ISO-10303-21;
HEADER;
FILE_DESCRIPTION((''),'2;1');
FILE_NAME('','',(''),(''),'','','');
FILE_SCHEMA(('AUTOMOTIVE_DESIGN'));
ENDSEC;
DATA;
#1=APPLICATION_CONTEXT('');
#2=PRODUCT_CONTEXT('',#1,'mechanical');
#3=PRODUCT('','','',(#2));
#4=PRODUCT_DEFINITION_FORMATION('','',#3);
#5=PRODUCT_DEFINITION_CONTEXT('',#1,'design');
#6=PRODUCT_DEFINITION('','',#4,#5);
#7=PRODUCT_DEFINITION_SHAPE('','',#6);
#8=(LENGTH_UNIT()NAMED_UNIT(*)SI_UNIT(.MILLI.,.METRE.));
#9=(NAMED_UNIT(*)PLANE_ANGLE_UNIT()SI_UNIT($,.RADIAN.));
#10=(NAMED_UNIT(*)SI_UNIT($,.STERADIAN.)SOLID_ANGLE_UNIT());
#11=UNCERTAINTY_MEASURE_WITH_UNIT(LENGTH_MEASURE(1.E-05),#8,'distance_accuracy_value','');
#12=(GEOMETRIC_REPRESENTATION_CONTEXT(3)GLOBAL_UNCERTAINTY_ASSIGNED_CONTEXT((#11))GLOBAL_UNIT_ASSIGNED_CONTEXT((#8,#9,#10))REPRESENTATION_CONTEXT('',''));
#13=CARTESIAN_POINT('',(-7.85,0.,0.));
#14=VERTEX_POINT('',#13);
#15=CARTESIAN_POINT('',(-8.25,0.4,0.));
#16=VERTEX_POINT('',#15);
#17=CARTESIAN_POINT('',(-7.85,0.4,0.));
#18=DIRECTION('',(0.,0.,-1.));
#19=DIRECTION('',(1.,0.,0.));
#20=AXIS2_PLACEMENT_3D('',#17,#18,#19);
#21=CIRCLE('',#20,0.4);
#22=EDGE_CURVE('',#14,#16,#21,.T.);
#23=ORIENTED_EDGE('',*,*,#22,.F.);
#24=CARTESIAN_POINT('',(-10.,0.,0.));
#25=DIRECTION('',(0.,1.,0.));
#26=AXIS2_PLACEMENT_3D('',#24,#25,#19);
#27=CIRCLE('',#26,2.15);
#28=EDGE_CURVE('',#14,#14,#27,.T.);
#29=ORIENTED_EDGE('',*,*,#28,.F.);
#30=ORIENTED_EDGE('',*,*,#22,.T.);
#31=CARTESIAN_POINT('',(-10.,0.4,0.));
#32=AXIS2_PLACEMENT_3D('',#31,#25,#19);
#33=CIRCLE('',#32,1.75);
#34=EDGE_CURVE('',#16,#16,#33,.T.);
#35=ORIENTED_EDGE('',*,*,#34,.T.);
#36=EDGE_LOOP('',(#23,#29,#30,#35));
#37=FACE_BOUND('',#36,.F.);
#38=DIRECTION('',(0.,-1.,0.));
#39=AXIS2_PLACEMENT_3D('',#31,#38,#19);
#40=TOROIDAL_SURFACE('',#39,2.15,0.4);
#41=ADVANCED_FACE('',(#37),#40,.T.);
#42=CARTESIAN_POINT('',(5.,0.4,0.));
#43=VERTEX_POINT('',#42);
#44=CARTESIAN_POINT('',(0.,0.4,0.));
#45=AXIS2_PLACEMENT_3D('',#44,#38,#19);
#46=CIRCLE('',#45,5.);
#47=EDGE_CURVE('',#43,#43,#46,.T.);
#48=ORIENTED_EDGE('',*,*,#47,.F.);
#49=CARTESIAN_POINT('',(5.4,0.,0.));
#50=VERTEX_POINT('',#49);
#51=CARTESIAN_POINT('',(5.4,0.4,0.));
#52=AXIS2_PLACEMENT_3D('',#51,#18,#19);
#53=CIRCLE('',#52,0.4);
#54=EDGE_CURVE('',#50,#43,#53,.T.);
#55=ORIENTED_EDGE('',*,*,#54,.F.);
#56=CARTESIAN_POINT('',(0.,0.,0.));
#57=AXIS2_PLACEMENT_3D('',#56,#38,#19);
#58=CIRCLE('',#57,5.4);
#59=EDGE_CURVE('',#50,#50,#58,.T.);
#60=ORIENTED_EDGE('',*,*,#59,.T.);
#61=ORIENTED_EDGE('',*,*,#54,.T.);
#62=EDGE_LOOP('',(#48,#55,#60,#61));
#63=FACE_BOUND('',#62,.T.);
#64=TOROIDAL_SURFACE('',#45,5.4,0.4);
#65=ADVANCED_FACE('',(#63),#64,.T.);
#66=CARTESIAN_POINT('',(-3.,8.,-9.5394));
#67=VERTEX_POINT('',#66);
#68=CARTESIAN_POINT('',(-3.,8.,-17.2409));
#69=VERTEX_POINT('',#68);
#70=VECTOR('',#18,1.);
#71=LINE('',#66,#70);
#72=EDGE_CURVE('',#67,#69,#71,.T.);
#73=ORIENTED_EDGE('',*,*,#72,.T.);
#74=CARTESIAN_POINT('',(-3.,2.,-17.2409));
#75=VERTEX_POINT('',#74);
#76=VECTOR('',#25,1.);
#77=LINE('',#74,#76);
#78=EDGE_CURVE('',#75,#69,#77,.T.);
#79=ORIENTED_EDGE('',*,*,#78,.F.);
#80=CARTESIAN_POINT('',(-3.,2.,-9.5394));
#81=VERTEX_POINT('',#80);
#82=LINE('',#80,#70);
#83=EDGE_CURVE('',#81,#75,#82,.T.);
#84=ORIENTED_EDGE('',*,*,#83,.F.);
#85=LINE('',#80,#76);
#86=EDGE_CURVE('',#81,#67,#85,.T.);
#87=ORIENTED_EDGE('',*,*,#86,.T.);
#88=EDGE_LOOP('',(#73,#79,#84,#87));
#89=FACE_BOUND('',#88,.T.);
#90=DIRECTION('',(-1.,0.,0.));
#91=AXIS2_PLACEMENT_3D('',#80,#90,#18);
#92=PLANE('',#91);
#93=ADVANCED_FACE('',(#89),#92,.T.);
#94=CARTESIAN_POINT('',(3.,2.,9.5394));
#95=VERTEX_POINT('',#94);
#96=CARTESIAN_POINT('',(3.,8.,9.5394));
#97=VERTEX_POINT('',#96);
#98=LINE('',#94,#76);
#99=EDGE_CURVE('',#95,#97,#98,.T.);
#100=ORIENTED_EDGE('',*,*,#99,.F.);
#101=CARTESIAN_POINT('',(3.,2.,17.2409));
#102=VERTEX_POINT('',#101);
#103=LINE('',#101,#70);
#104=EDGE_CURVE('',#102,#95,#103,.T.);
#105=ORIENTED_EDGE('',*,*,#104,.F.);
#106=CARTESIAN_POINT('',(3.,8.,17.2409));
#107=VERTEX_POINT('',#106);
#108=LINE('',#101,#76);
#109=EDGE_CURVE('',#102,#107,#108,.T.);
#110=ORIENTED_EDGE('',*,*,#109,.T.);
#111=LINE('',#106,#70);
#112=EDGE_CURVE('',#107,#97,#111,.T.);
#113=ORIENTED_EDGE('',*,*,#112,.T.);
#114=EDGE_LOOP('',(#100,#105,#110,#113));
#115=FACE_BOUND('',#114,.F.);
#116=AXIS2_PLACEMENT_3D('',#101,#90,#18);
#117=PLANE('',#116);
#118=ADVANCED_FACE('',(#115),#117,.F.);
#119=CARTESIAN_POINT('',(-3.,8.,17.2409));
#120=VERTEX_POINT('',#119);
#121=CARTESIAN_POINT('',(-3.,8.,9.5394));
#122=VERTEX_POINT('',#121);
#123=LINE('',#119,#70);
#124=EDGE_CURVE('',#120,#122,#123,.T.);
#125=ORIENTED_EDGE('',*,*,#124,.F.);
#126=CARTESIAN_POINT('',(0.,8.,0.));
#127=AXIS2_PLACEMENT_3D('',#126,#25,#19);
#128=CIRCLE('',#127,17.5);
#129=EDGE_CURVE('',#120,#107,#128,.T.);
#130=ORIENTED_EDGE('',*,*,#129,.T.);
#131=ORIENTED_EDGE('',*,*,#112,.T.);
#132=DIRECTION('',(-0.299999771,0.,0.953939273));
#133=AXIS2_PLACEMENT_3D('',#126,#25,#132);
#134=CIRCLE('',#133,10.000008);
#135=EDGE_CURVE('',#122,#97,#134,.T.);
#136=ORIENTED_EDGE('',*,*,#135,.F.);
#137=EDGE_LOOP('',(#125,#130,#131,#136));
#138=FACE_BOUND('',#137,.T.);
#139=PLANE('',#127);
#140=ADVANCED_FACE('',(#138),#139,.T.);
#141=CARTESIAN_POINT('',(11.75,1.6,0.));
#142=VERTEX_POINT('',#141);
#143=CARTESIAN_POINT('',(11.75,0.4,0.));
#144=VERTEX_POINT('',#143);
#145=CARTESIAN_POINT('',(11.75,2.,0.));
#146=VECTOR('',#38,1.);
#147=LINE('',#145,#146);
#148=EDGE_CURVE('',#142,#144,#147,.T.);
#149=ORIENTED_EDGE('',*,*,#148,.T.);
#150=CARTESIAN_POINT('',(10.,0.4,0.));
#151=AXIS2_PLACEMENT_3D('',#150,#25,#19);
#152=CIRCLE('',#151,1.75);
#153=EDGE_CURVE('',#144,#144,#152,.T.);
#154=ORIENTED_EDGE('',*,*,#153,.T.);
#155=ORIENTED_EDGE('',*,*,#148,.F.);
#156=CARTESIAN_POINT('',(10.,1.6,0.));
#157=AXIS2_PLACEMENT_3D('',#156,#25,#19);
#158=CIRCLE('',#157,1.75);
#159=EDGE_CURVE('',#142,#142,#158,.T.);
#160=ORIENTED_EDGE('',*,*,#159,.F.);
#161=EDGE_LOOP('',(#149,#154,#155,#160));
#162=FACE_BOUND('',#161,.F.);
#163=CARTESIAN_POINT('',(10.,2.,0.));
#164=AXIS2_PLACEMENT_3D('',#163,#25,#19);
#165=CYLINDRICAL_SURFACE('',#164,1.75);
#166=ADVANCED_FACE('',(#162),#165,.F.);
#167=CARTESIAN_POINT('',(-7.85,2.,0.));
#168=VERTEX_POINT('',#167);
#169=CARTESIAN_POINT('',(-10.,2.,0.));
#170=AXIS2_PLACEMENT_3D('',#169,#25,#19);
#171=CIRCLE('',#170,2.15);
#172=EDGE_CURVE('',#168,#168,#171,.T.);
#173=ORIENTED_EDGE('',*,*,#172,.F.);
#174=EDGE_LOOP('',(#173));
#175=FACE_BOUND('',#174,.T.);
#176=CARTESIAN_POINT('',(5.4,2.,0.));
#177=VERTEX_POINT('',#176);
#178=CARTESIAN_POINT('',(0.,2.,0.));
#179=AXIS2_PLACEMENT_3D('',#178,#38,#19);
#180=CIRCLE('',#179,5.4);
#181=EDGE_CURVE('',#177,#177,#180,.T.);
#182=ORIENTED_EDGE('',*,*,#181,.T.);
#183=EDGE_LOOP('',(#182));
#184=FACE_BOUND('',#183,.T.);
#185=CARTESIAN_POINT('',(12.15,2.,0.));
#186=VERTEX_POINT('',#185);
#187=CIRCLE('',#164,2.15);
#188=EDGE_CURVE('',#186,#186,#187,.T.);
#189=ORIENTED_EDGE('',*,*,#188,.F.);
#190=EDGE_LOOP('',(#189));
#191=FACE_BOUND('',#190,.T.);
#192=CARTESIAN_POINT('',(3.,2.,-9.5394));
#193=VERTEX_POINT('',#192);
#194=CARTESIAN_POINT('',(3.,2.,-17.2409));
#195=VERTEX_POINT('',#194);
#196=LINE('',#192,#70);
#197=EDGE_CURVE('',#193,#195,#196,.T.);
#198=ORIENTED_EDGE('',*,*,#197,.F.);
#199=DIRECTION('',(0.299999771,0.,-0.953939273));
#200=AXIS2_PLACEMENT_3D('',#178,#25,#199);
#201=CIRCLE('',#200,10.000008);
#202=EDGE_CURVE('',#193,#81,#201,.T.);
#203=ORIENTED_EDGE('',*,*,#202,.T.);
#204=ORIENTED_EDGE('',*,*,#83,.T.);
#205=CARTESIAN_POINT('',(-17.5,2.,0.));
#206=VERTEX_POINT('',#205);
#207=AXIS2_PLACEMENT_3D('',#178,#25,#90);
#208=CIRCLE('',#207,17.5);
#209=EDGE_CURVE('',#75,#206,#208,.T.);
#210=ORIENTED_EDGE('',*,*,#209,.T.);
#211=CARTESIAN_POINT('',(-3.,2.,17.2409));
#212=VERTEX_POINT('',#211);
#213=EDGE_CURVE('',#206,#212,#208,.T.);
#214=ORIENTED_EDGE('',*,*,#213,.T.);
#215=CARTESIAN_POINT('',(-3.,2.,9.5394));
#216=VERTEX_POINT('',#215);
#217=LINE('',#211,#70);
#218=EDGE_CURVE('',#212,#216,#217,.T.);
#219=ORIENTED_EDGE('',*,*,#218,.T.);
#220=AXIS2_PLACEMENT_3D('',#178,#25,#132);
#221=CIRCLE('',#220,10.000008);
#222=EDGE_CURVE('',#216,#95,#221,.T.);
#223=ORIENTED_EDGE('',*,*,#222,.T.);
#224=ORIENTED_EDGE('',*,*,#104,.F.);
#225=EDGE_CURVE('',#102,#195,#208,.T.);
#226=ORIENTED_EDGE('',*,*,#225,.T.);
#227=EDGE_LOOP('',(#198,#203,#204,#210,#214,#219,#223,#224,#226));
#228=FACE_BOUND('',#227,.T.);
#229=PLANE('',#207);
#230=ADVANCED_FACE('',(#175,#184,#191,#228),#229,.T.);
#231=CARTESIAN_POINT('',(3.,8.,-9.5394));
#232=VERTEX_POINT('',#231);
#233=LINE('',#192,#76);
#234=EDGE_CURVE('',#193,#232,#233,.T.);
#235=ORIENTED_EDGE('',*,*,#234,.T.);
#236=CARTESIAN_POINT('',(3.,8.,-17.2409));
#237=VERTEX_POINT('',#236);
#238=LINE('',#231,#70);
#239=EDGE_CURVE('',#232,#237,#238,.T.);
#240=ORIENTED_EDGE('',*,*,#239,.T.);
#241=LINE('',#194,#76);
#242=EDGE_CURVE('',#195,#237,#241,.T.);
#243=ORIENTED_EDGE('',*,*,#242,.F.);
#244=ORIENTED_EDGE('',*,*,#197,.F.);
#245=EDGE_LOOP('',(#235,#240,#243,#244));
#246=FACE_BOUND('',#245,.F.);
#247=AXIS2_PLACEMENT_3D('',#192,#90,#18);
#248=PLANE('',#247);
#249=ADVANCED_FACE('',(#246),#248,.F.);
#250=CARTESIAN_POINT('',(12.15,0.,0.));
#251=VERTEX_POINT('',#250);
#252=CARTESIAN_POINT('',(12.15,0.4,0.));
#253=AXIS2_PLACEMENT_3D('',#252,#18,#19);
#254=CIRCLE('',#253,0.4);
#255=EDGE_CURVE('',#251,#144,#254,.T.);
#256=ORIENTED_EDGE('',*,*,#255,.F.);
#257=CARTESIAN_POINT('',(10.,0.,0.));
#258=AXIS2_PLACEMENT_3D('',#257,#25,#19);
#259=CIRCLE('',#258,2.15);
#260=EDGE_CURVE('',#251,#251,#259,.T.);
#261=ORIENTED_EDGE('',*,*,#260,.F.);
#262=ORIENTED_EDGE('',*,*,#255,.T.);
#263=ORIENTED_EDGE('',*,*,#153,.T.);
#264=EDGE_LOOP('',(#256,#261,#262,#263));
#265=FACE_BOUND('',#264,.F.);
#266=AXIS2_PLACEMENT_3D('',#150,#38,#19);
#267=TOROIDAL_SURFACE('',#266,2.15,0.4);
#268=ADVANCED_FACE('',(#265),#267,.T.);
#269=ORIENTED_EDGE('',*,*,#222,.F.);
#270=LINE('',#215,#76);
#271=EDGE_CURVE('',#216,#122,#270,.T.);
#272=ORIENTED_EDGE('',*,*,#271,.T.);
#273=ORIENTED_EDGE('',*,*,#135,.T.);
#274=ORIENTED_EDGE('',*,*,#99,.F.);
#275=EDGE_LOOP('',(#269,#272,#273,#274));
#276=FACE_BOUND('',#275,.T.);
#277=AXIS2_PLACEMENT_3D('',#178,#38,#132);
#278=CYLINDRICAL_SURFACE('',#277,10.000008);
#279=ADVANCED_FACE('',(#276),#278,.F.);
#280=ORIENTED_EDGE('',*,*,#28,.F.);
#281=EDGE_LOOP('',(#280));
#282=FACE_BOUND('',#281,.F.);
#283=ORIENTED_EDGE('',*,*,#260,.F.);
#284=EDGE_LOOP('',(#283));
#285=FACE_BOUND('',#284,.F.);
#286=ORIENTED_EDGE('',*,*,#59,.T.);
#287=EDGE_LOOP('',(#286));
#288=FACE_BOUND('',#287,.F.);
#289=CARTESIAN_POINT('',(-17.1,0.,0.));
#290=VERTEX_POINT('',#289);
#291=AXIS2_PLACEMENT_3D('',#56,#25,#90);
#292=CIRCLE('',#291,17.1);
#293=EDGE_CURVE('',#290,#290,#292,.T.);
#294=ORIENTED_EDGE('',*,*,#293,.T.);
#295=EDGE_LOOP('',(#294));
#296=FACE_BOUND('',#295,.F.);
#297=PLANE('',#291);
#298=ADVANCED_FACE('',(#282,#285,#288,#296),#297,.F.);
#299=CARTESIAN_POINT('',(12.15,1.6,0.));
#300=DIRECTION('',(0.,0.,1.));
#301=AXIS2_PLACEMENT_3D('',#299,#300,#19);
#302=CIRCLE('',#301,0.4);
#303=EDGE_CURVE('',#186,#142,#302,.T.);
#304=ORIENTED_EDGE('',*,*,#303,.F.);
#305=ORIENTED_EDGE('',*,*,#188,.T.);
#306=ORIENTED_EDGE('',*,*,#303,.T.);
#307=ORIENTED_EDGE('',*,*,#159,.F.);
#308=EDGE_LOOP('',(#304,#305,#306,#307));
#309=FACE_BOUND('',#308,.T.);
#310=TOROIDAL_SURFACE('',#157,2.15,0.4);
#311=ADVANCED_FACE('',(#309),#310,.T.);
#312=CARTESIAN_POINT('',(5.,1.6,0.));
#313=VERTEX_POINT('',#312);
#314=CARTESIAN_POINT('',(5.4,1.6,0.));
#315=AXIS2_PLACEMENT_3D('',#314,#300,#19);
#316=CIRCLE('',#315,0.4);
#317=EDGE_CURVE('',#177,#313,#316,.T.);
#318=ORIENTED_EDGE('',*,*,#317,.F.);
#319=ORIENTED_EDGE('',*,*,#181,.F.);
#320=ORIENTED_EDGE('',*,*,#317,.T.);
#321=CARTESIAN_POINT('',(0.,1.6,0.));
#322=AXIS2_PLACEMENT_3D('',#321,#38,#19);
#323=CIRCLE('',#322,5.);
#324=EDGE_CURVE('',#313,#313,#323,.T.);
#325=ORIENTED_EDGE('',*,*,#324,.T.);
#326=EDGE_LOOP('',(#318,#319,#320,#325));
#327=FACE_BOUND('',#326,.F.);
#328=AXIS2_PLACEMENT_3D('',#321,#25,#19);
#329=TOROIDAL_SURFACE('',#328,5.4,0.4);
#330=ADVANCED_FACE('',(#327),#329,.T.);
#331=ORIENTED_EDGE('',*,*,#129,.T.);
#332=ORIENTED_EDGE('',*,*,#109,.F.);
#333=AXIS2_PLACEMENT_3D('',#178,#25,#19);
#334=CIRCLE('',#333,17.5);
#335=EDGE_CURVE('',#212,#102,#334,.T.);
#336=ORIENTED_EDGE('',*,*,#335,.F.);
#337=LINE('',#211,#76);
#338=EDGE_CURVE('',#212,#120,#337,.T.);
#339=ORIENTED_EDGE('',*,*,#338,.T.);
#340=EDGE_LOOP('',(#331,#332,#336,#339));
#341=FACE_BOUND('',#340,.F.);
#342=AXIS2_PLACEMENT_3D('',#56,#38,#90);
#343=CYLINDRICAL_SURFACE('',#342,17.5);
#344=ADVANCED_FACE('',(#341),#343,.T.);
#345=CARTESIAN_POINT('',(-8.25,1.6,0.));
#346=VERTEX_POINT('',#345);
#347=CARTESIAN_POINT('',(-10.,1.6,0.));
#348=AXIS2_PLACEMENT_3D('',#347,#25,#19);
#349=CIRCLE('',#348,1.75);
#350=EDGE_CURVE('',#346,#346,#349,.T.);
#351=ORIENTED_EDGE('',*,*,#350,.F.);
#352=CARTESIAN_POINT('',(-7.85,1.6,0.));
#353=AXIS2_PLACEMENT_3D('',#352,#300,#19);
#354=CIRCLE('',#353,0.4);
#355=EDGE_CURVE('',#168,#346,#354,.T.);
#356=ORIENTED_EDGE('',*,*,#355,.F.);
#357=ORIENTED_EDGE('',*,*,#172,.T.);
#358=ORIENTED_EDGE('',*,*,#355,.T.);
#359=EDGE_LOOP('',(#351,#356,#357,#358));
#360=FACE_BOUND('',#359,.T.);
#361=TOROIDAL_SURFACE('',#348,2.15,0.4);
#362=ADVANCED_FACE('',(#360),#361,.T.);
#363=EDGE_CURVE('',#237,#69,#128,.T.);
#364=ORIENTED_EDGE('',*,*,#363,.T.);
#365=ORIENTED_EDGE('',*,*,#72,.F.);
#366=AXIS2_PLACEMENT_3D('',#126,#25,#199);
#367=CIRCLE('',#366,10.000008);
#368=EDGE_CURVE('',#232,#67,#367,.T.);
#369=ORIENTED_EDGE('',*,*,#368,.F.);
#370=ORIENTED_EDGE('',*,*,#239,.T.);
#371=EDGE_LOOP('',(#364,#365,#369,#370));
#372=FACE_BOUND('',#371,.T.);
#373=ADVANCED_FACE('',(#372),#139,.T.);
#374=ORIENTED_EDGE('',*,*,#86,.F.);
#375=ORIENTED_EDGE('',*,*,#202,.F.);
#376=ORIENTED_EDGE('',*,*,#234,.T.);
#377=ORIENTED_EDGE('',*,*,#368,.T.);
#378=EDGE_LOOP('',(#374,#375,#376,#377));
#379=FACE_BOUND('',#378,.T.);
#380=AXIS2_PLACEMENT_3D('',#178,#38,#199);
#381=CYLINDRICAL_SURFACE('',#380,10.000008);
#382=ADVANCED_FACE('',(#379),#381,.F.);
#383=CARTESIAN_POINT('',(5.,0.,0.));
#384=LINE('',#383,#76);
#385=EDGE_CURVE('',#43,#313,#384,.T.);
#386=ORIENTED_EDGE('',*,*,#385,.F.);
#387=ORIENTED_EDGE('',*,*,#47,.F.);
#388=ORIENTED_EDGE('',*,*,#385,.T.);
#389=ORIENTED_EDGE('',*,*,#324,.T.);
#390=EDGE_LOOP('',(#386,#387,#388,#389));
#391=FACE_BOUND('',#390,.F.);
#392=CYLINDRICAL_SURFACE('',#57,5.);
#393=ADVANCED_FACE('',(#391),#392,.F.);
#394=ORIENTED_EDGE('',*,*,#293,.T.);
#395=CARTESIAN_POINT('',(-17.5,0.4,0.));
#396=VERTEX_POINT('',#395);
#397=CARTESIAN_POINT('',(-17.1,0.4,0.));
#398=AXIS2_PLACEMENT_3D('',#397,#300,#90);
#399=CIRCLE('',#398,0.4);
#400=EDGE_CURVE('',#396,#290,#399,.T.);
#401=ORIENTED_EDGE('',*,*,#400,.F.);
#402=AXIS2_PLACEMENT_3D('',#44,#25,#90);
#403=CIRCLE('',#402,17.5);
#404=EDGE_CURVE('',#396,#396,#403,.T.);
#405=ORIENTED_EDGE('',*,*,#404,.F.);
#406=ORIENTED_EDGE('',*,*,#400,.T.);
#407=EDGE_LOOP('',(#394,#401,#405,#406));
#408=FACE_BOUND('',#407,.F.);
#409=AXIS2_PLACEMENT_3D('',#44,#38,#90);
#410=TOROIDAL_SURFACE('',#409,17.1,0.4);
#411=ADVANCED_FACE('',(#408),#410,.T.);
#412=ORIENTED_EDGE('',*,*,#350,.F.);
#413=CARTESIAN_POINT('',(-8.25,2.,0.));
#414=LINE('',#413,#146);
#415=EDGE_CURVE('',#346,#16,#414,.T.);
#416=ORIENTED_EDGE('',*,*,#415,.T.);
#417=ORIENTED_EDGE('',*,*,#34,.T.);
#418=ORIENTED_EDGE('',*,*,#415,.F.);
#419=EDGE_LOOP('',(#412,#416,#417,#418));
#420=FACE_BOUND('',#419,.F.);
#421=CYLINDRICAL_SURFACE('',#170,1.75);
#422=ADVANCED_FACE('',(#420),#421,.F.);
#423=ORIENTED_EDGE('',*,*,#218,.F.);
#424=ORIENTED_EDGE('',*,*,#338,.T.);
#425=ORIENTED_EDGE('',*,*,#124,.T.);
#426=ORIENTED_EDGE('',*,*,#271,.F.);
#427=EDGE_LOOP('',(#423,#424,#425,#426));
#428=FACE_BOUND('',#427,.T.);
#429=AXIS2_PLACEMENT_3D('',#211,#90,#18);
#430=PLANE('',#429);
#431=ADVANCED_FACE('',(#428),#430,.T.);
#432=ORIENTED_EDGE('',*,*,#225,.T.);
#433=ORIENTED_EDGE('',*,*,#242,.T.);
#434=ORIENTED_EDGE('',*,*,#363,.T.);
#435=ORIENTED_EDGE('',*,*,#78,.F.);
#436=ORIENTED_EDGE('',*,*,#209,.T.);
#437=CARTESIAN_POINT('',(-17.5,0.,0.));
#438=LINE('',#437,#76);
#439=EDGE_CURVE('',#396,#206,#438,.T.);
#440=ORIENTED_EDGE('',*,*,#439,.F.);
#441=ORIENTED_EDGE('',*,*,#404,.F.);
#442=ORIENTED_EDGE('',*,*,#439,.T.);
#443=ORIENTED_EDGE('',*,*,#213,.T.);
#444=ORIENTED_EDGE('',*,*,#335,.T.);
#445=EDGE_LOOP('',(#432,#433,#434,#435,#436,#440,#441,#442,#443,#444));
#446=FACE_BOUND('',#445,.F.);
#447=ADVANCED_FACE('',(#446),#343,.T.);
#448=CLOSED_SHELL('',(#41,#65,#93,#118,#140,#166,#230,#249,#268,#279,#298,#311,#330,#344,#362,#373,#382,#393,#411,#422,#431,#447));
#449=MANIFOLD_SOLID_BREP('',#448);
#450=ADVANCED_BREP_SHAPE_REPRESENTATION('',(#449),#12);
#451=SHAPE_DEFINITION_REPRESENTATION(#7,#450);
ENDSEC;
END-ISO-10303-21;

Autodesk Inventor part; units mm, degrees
ref_plane "YZ Plane" through (0, 0, 0) normal (1, 0, 0) x (0, 1, 0)
ref_plane "XZ Plane" through (0, 0, 0) normal (0, 1, 0) x (-1, 0, 0)
ref_plane "XY Plane" through (0, 0, 0) normal (0, 0, 1) x (1, 0, 0)
sketch "Sketch1" plane through (0, 0, 0) normal (0, 1, 0) x (-1, 0, 0)
  circle A0 centre (0, 0) radius 17.5
  dimension "d0" = 35
extrude "Extrusion1" add sketch "Sketch1" along normal blind 2
sketch "Sketch2" plane through (0, 2, 0) normal (0, 1, 0) x (1, 0, 0)
  arc A0 (-3, -9.5394) -> (3, -9.5394) centre (0, 0) ccw
  line L0 (-3, -17.2409) -> (-3, -9.5394)
  line L1 (3, -17.2409) -> (3, -9.5394)
  line L2 (-3, 9.5394) -> (-3, 17.2409)
  circle A1 centre (0, 0) radius 17.5 projected
  line L3 (3, 9.5394) -> (3, 17.2409)
  arc A2 (-3, 9.5394) -> (-3, -9.5394) centre (0, 0) ccw construction
  arc A3 (3, -9.5394) -> (3, 9.5394) centre (0, 0) ccw construction
  arc A4 (3, 9.5394) -> (-3, 9.5394) centre (0, 0) ccw
  dimension "d3" = 20
  dimension "d4" = 6
  dimension "d5" = 3
extrude "Extrusion2" add sketch "Sketch2" along normal blind 6 contours A0 L1 A1 L0 | A1 L3 A4 L2
sketch "Sketch3" plane through (0, 2, 0) normal (0, 1, 0) x (1, 0, 0)
  circle A0 centre (-10, 0) radius 1.75
  circle A1 centre (10, 0) radius 1.75
  point P0 (0, 0)
  dimension "d8" = 3.5
  dimension "d9" = 20
  dimension "d10" = 10
  dimension "d11" = 3.5
extrude "Extrusion3" cut sketch "Sketch3" against normal up to surface (2 mm away)
sketch "Sketch4" plane through (0, 0, 0) normal (0, -1, 0) x (1, 0, 0)
  circle A0 centre (0, 0) radius 5
  dimension "d14" = 10
extrude "Extrusion4" cut sketch "Sketch4" against normal up to surface (2 mm away)
fillet "Fillet1" radius 0.4 7 edges at (-5, 0, 0) (-5, 2, 0) (17.5, 0, 0) (-11.75, 2, 0) (8.25, 2, 0) (8.25, 0, 0) (-11.75, 0, 0)
properties part number "tensioner_servo"
